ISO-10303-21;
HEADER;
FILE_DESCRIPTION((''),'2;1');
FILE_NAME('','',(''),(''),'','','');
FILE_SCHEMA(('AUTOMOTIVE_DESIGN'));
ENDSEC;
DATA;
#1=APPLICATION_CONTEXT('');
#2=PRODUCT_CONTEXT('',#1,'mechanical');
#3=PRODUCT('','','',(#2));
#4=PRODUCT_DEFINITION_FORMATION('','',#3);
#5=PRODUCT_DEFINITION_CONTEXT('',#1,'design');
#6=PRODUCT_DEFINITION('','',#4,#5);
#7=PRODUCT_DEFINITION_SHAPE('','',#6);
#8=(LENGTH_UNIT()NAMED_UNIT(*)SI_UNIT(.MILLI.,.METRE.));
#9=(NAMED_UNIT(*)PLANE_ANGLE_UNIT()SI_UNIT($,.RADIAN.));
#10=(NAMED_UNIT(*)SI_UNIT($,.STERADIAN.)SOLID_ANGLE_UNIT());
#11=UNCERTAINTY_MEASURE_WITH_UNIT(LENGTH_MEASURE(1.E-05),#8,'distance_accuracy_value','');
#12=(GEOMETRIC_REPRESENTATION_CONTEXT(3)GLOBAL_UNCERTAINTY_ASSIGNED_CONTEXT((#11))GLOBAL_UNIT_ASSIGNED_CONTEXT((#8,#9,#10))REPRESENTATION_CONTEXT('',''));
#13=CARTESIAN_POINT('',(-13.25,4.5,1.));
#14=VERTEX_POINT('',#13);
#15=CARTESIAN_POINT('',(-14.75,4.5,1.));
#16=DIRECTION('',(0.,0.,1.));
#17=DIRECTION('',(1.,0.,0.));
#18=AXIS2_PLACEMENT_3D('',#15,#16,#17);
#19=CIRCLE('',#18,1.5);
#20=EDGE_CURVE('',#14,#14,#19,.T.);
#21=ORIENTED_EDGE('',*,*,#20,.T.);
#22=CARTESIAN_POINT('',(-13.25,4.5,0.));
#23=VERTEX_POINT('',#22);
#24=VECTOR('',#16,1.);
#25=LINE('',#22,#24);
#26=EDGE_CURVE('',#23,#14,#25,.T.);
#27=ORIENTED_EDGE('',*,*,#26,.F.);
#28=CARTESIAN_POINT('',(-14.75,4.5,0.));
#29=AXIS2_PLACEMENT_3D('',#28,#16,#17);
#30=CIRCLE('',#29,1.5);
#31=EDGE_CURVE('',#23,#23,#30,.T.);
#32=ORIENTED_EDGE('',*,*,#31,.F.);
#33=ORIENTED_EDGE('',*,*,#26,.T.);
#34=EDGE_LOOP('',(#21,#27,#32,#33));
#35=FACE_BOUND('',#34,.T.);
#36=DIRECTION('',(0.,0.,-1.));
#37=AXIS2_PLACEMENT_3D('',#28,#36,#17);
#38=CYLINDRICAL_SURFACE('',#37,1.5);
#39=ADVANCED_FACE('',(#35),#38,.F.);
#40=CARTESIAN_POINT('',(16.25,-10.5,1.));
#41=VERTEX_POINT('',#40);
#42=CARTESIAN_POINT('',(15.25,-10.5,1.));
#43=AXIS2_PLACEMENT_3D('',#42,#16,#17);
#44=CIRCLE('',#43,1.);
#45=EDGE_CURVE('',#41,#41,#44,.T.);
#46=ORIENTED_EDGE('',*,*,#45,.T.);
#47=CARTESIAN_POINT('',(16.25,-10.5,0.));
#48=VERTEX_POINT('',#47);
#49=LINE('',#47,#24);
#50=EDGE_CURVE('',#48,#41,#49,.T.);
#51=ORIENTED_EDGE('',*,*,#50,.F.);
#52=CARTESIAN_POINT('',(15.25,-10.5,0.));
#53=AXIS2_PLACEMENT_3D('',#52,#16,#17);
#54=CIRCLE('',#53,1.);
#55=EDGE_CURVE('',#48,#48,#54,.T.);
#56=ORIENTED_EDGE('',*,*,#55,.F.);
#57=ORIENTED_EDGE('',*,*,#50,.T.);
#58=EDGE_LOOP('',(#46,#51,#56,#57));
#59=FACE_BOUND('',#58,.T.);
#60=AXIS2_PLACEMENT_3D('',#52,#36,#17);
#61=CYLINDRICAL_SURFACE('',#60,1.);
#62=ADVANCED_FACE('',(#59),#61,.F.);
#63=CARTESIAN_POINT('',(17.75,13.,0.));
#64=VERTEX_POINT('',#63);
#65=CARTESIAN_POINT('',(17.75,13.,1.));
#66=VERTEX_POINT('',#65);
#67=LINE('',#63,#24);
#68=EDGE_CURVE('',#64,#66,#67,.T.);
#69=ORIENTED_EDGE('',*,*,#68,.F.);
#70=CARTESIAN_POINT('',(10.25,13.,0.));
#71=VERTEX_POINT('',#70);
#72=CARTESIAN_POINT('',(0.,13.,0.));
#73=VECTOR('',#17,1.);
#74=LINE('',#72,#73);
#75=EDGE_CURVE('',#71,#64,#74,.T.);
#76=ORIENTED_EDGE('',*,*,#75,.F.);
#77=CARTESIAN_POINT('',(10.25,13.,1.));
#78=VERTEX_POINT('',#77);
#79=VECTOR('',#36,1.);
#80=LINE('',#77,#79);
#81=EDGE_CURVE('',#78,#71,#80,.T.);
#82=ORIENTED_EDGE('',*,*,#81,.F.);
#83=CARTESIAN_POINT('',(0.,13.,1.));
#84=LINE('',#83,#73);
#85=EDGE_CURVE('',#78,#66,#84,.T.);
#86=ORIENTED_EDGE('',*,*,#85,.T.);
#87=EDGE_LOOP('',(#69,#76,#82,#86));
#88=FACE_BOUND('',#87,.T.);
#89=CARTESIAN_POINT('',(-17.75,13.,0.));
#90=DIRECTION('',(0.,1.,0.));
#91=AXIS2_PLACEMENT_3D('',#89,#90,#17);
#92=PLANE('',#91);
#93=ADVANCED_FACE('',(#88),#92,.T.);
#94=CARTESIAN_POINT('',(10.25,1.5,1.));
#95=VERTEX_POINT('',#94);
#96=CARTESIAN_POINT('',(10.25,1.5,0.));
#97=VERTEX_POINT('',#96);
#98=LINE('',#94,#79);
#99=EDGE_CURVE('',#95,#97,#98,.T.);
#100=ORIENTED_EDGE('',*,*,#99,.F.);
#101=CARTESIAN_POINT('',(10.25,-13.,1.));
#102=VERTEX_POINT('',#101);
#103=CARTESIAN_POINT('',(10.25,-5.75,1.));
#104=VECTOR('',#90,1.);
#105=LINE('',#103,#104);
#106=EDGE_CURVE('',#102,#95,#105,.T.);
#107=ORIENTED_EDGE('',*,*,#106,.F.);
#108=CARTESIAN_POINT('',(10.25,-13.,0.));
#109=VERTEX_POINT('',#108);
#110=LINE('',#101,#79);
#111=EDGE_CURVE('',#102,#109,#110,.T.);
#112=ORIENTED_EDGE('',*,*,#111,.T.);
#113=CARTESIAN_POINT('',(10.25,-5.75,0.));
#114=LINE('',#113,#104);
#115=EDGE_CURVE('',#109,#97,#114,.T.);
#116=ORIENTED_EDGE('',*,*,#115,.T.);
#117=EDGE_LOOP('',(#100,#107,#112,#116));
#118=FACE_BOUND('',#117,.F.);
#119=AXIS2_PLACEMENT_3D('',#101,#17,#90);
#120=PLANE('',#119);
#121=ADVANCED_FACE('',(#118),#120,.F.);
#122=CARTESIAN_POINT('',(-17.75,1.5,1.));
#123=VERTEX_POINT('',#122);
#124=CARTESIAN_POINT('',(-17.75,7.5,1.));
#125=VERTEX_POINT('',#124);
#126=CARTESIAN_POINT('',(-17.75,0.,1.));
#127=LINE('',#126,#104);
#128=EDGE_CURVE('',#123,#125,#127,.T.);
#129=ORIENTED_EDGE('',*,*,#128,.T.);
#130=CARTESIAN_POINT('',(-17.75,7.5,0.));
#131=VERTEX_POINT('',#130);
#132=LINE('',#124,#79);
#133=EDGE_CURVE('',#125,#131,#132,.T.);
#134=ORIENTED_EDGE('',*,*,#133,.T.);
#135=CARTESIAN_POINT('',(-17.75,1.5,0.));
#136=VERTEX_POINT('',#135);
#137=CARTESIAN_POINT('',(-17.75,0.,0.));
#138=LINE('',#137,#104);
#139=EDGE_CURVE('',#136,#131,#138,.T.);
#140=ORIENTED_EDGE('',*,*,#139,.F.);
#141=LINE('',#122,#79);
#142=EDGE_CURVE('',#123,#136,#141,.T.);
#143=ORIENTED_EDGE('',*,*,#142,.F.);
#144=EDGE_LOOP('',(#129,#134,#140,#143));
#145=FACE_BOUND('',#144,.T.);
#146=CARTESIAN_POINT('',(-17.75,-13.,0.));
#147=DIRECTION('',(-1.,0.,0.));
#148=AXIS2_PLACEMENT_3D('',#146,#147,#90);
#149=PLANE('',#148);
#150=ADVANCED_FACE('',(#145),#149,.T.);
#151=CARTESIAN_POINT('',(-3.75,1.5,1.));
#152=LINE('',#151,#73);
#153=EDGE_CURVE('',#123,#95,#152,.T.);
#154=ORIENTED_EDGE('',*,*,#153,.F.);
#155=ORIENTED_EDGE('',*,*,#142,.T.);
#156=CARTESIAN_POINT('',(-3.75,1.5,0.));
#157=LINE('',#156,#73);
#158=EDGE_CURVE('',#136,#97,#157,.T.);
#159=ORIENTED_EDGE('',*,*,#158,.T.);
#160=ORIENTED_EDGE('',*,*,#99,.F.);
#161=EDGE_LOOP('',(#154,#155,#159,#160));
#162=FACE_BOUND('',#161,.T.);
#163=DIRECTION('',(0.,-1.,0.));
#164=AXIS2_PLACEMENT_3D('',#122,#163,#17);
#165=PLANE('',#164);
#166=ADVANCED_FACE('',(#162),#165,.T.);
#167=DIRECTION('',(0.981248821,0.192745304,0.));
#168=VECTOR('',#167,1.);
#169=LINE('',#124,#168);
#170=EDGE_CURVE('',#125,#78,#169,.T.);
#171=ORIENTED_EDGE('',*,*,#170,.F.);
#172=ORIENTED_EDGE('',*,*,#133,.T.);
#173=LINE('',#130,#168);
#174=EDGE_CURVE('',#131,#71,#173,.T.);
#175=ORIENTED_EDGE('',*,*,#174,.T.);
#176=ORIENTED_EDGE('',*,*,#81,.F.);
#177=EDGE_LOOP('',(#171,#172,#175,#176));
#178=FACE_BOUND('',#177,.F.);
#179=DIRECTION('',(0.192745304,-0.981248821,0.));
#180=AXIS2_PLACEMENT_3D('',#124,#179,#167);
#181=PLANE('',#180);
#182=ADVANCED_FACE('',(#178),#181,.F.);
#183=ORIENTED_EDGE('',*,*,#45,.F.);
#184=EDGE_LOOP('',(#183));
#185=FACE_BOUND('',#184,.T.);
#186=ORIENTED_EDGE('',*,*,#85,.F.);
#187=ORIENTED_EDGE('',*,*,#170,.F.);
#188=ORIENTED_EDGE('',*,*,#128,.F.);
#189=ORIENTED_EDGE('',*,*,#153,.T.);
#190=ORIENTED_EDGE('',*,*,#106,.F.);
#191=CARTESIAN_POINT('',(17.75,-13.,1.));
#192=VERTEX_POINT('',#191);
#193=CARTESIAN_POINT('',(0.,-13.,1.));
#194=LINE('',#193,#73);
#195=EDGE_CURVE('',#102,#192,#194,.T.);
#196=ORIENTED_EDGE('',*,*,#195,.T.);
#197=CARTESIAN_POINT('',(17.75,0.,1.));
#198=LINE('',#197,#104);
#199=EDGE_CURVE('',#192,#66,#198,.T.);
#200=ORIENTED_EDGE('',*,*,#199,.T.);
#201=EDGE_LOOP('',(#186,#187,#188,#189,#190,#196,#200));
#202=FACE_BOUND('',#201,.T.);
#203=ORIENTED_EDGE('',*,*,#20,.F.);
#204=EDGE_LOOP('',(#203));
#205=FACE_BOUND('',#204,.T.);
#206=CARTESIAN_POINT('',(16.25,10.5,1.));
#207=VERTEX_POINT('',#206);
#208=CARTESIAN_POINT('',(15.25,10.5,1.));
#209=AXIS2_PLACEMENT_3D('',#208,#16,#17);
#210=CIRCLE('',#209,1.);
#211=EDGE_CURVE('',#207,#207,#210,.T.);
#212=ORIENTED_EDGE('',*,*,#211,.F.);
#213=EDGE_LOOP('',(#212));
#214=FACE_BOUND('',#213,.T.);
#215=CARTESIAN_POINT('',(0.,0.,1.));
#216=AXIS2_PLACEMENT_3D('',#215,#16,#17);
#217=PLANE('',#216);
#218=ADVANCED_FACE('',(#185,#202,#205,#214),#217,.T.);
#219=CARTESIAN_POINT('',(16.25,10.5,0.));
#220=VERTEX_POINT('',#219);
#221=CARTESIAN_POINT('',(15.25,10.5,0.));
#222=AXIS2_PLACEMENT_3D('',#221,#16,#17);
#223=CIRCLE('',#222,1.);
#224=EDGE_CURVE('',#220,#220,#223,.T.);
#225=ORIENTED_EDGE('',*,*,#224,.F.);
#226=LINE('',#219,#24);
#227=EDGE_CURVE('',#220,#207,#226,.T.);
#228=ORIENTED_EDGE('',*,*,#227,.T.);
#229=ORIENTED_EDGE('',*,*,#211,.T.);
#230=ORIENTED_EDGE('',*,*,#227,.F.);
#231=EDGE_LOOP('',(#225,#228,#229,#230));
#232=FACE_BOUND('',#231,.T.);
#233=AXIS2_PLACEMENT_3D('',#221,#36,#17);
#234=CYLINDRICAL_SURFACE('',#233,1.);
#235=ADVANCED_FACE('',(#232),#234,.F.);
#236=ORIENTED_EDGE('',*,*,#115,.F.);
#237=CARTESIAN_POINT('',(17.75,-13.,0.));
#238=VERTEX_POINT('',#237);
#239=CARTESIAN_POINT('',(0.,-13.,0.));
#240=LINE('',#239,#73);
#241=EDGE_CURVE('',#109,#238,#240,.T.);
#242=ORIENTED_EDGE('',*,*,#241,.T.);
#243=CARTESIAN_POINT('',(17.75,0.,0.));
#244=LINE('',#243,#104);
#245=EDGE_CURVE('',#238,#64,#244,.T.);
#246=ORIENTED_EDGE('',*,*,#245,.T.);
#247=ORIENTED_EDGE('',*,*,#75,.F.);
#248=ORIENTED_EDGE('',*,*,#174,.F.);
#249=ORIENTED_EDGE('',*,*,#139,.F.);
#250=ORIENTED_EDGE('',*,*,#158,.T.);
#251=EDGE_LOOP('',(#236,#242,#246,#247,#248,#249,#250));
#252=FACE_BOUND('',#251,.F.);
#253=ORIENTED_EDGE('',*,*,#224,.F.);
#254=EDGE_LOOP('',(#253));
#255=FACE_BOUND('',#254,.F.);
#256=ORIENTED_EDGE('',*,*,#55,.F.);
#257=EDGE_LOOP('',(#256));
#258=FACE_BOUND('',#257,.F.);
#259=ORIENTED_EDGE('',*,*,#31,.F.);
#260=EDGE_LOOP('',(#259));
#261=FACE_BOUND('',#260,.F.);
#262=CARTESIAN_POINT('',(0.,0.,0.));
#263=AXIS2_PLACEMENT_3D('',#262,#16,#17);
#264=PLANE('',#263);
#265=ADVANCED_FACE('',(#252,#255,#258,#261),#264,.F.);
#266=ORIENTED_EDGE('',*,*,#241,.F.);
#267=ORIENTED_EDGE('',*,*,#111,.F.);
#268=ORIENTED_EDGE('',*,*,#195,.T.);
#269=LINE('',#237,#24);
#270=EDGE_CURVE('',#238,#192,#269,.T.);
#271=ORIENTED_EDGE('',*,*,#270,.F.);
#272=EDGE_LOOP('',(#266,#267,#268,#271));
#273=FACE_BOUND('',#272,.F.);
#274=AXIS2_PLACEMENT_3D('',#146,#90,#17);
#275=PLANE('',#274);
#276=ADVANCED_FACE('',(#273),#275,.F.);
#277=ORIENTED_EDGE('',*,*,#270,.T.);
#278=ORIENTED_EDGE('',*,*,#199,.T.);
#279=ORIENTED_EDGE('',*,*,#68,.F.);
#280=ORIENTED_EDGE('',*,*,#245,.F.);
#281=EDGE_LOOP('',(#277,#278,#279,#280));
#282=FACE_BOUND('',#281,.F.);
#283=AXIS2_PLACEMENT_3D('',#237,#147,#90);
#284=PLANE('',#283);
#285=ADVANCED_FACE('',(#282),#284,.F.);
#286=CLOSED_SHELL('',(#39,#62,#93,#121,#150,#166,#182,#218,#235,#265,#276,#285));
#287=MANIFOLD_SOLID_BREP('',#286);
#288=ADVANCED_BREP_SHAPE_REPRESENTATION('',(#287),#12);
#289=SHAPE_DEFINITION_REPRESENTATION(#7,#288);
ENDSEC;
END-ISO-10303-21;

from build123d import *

# Parameters (mm, degrees)
F0_W     = 35.5
F0_H     = 26
F0_R     = 1
F0_R_2   = 1.5
F1_DEPTH = 1
F2_W     = 28
F2_H     = 14.5
F3_DEPTH = 1


with BuildPart() as f1:
    # F0 (on Top) → F1 (new body)
    with BuildSketch(Plane.XY):
        Rectangle(F0_W, F0_H)
        with Locations((15.25, -10.5)):
            Circle(F0_R, mode=Mode.SUBTRACT)
        with Locations((-14.75, 4.5)):
            Circle(F0_R_2, mode=Mode.SUBTRACT)
        with Locations((15.25, 10.5)):
            Circle(F0_R, mode=Mode.SUBTRACT)
    extrude(amount=F1_DEPTH)

    # F2 (on face) → F3 (cut, through all)
    with BuildSketch(Plane.XY.offset(1)):
        with Locations((-3.75, -5.75)):
            Rectangle(F2_W, F2_H)
        Polygon((-17.75, 13), (-17.75, 7.5), (10.25, 13), align=None)
    extrude(amount=-F3_DEPTH, mode=Mode.SUBTRACT)


solid = f1.part
